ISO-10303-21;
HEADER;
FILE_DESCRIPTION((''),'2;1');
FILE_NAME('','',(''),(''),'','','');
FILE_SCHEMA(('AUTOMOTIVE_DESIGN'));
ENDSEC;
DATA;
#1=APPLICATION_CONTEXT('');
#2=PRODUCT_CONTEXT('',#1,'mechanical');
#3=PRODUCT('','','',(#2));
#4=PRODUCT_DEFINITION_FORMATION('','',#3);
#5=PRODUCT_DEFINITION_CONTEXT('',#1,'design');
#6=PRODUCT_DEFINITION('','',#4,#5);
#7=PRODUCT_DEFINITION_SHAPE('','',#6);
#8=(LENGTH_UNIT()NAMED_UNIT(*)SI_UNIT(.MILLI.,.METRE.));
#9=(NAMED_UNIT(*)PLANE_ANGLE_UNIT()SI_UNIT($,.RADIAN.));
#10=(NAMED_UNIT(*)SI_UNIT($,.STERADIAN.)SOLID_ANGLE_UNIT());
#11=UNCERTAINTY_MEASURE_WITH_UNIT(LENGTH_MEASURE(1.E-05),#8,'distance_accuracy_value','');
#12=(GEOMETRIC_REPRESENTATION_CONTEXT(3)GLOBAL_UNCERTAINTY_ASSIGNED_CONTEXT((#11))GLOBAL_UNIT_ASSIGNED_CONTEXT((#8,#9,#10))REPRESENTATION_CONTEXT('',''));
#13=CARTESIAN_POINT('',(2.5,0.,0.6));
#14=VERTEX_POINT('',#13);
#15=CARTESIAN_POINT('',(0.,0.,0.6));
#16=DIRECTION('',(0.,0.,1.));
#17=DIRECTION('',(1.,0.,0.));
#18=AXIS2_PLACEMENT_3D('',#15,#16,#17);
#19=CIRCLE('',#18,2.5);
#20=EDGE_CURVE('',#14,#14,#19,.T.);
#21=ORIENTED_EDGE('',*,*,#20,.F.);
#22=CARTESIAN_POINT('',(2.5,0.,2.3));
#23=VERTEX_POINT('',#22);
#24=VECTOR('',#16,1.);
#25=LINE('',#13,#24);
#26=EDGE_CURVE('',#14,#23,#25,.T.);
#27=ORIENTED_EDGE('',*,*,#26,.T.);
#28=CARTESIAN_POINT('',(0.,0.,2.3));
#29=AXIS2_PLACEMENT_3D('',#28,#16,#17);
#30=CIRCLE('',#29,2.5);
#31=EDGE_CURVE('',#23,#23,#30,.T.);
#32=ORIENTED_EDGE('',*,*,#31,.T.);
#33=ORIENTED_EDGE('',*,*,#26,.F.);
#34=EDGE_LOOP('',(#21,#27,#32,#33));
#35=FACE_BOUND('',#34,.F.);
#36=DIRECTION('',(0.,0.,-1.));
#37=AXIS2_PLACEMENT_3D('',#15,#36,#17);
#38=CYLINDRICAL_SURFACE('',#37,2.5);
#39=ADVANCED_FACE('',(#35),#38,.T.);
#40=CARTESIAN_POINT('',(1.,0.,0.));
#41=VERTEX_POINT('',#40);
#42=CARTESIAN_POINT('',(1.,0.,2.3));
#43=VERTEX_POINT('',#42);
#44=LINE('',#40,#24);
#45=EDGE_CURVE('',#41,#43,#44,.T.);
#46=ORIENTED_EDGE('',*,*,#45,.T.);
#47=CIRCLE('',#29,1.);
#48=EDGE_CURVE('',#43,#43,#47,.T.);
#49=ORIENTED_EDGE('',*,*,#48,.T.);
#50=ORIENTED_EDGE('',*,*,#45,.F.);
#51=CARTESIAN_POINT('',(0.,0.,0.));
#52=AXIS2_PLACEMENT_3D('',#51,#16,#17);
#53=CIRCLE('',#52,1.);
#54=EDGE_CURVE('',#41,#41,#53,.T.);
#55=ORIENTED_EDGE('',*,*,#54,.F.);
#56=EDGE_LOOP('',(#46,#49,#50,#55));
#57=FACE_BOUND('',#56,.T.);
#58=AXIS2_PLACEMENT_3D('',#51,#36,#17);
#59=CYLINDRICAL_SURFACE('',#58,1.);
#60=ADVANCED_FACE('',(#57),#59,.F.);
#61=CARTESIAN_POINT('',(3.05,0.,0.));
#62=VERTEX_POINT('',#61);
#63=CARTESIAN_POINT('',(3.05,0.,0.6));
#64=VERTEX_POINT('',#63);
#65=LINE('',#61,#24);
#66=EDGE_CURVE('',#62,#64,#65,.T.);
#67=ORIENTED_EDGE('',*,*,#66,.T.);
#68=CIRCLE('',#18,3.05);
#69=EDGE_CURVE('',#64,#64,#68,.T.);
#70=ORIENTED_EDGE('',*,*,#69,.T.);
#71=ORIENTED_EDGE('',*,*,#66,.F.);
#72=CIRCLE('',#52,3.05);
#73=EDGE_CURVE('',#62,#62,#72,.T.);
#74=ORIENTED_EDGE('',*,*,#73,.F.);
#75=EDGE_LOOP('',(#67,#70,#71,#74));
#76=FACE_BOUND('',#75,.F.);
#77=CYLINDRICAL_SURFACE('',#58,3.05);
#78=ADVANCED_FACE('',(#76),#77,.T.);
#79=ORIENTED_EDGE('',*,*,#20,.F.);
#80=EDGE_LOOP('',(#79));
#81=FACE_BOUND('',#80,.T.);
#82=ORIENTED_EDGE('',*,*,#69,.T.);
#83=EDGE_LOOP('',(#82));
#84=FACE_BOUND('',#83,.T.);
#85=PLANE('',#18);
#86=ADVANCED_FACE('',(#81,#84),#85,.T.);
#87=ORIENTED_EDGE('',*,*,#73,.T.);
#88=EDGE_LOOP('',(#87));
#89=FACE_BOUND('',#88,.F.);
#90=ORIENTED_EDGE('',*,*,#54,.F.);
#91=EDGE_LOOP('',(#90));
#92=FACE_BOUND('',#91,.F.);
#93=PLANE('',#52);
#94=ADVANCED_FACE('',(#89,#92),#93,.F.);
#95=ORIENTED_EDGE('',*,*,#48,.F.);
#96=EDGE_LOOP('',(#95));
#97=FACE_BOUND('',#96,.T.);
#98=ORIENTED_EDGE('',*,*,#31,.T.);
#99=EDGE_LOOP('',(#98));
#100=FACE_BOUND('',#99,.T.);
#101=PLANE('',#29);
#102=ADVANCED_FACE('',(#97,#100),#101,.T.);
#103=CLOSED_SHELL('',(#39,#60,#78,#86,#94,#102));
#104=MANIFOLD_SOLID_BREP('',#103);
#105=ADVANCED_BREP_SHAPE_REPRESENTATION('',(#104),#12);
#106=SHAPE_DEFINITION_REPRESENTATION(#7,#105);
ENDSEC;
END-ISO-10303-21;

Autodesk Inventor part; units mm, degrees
ref_plane "YZ Plane" through (0, 0, 0) normal (1, 0, 0) x (0, 1, 0)
ref_plane "XZ Plane" through (0, 0, 0) normal (0, 1, 0) x (-1, 0, 0)
ref_plane "XY Plane" through (0, 0, 0) normal (0, 0, 1) x (1, 0, 0)
sketch "草图1" plane through (0, 0, 0) normal (0, 0, 1) x (1, 0, 0)
  circle A0 centre (0, 0) radius 3.05
  circle A1 centre (0, 0) radius 1
  dimension "d0" = 6.1
  dimension "d1" = 2
extrude "拉伸1" add sketch "草图1" along normal blind 0.6
sketch "草图2" plane through (0, 0, 0.6) normal (0, 0, 1) x (1, 0, 0)
  circle A0 centre (0, 0) radius 2.5
  circle A1 centre (0, 0) radius 1 projected
  dimension "d4" = 5
extrude "拉伸2" add sketch "草图2" along normal blind 1.7
properties part number "小轴承"
